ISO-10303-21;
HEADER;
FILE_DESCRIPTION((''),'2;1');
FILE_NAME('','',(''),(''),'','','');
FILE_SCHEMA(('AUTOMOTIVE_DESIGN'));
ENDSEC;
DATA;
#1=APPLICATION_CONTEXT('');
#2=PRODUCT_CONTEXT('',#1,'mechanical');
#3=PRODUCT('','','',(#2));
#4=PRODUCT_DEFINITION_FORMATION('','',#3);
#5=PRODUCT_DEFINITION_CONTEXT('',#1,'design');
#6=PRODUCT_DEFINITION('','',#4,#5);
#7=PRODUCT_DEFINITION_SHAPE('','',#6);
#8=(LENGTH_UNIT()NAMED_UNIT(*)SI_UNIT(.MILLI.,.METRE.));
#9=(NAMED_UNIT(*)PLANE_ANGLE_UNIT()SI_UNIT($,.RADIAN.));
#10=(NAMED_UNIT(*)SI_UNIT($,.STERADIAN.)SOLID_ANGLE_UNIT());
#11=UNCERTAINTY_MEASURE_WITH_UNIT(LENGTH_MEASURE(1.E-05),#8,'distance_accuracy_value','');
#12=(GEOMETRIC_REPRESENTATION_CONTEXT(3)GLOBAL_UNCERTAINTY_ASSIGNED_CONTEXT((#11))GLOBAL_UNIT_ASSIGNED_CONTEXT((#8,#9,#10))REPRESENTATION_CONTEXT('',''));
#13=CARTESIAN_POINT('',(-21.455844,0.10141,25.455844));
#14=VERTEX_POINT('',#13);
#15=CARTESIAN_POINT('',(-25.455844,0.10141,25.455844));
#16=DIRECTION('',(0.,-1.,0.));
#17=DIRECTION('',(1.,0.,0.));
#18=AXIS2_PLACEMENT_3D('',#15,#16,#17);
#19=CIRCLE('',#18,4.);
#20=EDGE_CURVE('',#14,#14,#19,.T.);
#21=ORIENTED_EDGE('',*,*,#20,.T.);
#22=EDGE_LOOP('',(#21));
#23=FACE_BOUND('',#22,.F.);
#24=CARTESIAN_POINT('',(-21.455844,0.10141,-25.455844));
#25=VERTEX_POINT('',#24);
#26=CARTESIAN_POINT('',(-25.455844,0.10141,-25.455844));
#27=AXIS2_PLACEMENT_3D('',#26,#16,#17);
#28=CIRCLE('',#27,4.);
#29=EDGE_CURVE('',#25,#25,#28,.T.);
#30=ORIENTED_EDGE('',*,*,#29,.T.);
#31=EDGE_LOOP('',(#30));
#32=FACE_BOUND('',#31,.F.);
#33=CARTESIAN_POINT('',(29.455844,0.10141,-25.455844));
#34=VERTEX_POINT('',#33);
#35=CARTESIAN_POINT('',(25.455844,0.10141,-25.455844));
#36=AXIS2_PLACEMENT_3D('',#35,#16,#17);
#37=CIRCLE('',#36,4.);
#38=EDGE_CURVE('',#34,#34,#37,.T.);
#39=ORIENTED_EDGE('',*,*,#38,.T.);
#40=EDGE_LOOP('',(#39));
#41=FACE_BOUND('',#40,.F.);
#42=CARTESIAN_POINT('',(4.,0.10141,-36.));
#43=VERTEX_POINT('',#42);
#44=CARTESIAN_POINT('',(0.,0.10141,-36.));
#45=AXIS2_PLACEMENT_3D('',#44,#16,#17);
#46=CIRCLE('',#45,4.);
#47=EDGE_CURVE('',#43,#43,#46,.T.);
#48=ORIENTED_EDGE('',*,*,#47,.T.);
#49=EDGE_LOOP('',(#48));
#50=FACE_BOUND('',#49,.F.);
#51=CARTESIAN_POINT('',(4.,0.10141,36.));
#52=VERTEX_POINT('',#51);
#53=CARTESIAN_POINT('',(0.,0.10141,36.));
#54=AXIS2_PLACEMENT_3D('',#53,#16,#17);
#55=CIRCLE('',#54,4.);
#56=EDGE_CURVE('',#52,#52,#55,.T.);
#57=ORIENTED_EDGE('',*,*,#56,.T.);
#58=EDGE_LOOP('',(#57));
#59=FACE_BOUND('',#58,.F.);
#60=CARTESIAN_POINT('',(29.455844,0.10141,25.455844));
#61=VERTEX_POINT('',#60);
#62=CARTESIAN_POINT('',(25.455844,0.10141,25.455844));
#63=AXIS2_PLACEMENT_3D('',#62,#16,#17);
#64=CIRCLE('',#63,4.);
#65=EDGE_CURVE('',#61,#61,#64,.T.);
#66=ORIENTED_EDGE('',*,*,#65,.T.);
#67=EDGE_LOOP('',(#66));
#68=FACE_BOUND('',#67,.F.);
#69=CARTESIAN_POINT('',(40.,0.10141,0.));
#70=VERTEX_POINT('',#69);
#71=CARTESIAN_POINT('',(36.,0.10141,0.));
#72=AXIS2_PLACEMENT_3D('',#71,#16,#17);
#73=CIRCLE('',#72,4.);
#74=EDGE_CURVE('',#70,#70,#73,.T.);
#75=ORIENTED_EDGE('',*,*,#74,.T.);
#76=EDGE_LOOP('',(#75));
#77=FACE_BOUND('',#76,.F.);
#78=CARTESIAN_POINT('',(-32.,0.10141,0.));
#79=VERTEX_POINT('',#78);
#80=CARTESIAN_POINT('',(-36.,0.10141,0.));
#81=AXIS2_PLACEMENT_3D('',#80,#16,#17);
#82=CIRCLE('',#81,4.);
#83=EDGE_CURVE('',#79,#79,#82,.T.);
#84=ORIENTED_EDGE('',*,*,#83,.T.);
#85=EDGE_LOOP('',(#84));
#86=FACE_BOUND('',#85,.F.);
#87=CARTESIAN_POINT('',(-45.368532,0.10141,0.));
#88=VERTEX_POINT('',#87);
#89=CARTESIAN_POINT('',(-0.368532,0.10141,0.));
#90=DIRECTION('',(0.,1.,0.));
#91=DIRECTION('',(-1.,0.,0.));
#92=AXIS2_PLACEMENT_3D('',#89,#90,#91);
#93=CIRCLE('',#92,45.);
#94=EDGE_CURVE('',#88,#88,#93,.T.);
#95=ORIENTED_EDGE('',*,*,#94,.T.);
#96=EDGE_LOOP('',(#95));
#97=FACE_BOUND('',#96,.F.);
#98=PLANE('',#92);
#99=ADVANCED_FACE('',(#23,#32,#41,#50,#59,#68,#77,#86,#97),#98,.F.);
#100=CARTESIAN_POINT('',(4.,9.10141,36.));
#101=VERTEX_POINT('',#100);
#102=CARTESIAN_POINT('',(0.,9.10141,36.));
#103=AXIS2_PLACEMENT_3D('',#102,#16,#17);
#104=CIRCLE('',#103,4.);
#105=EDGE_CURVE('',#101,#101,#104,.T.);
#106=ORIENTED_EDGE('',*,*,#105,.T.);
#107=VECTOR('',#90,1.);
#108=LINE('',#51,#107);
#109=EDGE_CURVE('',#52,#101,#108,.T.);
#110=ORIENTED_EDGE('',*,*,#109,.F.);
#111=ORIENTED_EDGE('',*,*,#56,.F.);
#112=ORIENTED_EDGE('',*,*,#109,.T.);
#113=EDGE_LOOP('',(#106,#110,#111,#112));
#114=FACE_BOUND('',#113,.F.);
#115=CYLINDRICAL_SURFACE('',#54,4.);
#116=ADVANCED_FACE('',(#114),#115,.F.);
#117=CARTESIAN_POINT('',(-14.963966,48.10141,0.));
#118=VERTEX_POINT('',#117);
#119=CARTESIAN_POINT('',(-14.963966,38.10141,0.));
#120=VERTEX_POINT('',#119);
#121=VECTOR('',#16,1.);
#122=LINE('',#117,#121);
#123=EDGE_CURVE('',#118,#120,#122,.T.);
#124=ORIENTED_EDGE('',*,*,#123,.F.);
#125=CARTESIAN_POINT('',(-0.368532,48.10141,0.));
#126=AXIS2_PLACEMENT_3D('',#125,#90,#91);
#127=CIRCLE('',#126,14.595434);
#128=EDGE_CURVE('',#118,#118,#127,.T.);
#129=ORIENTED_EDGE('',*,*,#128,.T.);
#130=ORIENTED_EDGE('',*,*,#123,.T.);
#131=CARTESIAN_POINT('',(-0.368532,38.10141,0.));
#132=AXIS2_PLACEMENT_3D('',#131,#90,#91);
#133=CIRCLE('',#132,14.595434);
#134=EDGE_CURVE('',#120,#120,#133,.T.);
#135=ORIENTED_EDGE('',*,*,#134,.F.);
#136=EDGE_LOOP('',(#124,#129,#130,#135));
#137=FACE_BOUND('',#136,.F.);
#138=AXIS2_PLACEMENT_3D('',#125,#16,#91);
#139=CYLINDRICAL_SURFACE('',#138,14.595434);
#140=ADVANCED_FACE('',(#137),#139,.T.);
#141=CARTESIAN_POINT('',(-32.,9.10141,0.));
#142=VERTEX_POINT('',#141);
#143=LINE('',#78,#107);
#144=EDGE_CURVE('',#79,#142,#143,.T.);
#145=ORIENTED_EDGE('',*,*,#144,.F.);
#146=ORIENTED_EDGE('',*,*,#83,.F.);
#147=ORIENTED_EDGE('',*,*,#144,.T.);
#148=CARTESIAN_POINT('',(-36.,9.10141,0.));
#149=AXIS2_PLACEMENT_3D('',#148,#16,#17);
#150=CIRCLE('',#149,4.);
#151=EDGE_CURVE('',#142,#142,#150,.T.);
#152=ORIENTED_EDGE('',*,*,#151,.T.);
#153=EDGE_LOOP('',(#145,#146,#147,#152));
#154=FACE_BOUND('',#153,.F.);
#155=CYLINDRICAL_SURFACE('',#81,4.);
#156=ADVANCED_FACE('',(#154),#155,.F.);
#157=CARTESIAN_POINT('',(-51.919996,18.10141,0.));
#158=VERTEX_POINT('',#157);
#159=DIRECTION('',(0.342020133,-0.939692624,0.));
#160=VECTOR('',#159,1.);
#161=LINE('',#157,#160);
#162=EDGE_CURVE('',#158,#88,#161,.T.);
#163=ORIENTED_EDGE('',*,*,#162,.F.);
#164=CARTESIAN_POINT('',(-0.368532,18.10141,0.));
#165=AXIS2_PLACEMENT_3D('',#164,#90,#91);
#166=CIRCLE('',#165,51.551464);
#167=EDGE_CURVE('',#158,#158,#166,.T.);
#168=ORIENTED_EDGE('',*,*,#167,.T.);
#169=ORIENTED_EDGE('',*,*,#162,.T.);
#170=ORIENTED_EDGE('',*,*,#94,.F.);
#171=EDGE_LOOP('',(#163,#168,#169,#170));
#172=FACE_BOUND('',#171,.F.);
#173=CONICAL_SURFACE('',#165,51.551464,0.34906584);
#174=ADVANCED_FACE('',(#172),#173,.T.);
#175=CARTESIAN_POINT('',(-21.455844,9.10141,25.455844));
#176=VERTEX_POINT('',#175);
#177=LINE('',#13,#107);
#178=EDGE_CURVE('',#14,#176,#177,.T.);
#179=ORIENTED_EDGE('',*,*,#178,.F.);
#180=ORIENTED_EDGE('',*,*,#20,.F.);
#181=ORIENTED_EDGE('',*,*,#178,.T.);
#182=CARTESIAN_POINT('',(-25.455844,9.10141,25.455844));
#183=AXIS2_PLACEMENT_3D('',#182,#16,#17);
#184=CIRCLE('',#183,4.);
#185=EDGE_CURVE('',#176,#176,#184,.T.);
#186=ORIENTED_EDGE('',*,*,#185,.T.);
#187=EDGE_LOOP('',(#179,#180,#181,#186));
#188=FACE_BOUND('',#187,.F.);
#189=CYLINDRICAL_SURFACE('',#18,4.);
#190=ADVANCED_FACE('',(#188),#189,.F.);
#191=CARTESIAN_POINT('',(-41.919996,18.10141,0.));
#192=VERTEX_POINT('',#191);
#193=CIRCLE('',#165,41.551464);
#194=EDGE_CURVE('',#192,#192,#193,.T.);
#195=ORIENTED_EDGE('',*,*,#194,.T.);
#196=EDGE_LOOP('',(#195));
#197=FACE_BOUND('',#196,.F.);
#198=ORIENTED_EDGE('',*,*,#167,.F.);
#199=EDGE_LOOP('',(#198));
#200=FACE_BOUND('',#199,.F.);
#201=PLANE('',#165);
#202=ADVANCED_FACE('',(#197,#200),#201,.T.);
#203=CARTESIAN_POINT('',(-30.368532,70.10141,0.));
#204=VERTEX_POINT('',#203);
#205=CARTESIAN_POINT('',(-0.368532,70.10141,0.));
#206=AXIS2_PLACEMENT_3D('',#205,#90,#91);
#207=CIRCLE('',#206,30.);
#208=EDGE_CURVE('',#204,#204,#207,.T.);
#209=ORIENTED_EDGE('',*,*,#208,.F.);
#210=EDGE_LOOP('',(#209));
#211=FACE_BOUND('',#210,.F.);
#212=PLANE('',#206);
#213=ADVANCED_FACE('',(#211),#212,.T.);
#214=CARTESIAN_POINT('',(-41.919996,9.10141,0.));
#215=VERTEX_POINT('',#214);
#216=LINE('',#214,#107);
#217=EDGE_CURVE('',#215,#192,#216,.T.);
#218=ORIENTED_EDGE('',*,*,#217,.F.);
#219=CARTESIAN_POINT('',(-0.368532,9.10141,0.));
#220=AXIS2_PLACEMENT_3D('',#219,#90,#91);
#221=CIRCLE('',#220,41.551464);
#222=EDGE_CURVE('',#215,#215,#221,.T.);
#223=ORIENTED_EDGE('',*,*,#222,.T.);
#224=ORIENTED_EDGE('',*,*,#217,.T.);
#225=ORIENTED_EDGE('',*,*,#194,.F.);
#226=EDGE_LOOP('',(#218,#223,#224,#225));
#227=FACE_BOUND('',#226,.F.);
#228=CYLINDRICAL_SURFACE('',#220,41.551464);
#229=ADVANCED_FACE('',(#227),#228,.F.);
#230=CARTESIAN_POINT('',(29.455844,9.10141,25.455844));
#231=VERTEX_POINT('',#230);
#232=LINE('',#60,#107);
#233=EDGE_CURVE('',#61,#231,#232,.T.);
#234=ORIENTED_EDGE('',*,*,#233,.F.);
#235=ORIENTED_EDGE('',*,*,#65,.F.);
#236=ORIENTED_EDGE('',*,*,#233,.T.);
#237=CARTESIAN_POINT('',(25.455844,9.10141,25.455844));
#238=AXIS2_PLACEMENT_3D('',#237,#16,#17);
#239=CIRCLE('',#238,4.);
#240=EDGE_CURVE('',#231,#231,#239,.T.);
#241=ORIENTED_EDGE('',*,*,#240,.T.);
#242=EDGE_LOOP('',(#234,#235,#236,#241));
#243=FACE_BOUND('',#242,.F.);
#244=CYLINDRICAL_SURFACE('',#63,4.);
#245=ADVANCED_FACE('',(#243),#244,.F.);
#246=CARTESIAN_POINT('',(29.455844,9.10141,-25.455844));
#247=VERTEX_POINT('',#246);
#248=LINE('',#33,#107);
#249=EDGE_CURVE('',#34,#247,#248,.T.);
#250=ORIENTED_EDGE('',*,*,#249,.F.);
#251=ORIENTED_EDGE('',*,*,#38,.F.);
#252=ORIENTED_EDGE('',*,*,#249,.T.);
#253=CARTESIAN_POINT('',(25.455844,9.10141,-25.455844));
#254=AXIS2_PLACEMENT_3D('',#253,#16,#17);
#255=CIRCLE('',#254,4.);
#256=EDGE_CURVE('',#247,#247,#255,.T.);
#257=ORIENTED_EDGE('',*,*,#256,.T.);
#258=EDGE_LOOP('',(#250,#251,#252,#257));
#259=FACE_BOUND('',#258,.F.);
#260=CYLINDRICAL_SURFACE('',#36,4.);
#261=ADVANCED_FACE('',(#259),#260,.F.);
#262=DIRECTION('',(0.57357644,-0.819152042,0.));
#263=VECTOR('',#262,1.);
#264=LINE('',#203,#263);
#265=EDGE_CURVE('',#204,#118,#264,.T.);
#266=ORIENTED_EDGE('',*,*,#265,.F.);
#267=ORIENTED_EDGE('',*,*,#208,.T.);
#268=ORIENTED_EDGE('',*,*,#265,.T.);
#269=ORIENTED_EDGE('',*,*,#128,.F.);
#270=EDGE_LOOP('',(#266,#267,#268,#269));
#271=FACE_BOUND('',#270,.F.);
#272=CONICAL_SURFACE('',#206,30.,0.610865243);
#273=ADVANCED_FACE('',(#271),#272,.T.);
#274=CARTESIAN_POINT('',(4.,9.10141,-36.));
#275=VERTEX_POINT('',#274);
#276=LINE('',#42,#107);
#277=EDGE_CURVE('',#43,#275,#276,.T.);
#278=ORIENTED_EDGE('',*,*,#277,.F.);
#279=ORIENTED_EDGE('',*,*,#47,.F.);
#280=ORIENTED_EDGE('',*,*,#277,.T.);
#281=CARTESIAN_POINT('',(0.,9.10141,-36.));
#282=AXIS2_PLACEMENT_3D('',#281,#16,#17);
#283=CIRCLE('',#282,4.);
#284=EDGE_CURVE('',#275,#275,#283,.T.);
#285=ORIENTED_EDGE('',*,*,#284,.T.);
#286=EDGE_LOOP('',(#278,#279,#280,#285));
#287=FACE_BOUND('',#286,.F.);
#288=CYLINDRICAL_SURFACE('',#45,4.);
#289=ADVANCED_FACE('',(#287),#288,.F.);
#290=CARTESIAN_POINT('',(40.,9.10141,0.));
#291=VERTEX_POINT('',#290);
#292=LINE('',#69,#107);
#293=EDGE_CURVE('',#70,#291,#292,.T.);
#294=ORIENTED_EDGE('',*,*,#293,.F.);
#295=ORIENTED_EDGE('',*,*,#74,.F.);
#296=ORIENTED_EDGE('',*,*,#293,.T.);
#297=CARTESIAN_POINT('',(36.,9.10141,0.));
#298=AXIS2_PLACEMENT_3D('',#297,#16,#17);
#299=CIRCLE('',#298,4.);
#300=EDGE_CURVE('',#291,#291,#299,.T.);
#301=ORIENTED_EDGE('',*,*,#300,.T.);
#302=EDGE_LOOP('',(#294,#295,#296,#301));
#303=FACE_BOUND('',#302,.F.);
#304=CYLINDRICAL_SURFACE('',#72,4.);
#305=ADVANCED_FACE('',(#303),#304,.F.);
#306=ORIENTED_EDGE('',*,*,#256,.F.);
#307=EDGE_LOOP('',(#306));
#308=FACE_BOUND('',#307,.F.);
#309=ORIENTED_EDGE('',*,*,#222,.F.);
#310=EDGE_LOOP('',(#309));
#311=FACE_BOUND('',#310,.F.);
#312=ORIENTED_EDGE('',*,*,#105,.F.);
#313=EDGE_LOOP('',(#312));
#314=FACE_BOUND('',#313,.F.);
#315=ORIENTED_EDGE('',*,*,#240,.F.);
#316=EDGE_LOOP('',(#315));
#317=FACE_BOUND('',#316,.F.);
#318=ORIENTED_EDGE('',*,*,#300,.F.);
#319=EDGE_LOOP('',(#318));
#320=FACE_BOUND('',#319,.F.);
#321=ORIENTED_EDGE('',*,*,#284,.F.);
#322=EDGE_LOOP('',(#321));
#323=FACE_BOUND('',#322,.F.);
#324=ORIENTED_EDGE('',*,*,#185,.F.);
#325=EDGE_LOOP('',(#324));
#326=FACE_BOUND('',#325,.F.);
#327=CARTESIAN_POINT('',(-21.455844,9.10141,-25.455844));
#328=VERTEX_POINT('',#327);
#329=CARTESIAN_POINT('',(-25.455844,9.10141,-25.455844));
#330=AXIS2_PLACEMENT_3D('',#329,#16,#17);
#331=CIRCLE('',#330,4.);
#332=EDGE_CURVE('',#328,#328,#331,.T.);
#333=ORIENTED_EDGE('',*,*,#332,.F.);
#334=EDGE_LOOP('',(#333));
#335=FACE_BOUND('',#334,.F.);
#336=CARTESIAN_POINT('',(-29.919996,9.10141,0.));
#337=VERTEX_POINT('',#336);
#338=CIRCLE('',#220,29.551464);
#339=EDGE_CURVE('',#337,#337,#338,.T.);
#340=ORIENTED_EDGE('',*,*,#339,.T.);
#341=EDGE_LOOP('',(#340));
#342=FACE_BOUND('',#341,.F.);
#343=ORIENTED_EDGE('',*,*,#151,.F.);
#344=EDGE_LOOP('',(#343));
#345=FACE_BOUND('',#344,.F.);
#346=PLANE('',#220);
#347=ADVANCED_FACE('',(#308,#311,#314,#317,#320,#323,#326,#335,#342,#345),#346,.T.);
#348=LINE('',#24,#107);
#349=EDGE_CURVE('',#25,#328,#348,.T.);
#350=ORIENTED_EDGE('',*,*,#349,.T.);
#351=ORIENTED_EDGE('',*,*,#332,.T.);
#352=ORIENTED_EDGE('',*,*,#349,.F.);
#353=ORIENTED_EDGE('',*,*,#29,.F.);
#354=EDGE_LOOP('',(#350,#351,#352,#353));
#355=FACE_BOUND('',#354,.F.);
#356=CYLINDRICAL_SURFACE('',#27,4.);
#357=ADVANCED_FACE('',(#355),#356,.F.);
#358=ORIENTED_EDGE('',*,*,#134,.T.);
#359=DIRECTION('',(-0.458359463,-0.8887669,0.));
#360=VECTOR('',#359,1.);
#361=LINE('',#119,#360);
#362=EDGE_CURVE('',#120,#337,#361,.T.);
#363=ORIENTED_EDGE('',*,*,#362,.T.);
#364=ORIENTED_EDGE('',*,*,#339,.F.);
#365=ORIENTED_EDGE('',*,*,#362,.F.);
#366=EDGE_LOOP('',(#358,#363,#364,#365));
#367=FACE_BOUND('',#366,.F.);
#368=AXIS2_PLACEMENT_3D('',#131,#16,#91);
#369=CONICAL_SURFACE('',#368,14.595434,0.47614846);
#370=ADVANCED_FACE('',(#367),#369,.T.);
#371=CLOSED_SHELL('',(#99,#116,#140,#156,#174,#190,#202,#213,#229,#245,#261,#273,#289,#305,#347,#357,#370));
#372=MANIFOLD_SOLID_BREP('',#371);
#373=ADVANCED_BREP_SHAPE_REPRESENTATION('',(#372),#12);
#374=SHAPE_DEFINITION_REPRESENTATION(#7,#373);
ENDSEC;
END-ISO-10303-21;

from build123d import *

# Parameters (mm, degrees)
F2_R     = 4
F3_DEPTH = 9


with BuildPart() as f1:
    # F0 (on Top) → F1 (revolve)
    with BuildSketch(Plane.XY):
        Polygon((-45.368532, 0.10141), (-0.368532, 0.10141), (-0.368532, 70.10141), (-30.368532, 70.10141), (-14.963966, 48.10141), (-14.963966, 38.10141), (-29.919996, 9.10141), (-41.919996, 9.10141), (-41.919996, 18.10141), (-51.919996, 18.10141), align=None)
    revolve(axis=Axis((-0.368532, 35.10141, 0), (0, 1, 0)))

    # F2 (on face) → F3 (cut, through all)
    with BuildSketch(Plane.XZ.offset(-0.10141)):
        with Locations((-36, 0)):
            Circle(F2_R)
        with Locations((-25.455844, -25.455844)):
            Circle(F2_R)
        with Locations((0, -36)):
            Circle(F2_R)
        with Locations((25.455844, -25.455844)):
            Circle(F2_R)
        with Locations((36, 0)):
            Circle(F2_R)
        with Locations((25.455844, 25.455844)):
            Circle(F2_R)
        with Locations((0, 36)):
            Circle(F2_R)
        with Locations((-25.455844, 25.455844)):
            Circle(F2_R)
    extrude(amount=-F3_DEPTH, mode=Mode.SUBTRACT)


solid = f1.part
